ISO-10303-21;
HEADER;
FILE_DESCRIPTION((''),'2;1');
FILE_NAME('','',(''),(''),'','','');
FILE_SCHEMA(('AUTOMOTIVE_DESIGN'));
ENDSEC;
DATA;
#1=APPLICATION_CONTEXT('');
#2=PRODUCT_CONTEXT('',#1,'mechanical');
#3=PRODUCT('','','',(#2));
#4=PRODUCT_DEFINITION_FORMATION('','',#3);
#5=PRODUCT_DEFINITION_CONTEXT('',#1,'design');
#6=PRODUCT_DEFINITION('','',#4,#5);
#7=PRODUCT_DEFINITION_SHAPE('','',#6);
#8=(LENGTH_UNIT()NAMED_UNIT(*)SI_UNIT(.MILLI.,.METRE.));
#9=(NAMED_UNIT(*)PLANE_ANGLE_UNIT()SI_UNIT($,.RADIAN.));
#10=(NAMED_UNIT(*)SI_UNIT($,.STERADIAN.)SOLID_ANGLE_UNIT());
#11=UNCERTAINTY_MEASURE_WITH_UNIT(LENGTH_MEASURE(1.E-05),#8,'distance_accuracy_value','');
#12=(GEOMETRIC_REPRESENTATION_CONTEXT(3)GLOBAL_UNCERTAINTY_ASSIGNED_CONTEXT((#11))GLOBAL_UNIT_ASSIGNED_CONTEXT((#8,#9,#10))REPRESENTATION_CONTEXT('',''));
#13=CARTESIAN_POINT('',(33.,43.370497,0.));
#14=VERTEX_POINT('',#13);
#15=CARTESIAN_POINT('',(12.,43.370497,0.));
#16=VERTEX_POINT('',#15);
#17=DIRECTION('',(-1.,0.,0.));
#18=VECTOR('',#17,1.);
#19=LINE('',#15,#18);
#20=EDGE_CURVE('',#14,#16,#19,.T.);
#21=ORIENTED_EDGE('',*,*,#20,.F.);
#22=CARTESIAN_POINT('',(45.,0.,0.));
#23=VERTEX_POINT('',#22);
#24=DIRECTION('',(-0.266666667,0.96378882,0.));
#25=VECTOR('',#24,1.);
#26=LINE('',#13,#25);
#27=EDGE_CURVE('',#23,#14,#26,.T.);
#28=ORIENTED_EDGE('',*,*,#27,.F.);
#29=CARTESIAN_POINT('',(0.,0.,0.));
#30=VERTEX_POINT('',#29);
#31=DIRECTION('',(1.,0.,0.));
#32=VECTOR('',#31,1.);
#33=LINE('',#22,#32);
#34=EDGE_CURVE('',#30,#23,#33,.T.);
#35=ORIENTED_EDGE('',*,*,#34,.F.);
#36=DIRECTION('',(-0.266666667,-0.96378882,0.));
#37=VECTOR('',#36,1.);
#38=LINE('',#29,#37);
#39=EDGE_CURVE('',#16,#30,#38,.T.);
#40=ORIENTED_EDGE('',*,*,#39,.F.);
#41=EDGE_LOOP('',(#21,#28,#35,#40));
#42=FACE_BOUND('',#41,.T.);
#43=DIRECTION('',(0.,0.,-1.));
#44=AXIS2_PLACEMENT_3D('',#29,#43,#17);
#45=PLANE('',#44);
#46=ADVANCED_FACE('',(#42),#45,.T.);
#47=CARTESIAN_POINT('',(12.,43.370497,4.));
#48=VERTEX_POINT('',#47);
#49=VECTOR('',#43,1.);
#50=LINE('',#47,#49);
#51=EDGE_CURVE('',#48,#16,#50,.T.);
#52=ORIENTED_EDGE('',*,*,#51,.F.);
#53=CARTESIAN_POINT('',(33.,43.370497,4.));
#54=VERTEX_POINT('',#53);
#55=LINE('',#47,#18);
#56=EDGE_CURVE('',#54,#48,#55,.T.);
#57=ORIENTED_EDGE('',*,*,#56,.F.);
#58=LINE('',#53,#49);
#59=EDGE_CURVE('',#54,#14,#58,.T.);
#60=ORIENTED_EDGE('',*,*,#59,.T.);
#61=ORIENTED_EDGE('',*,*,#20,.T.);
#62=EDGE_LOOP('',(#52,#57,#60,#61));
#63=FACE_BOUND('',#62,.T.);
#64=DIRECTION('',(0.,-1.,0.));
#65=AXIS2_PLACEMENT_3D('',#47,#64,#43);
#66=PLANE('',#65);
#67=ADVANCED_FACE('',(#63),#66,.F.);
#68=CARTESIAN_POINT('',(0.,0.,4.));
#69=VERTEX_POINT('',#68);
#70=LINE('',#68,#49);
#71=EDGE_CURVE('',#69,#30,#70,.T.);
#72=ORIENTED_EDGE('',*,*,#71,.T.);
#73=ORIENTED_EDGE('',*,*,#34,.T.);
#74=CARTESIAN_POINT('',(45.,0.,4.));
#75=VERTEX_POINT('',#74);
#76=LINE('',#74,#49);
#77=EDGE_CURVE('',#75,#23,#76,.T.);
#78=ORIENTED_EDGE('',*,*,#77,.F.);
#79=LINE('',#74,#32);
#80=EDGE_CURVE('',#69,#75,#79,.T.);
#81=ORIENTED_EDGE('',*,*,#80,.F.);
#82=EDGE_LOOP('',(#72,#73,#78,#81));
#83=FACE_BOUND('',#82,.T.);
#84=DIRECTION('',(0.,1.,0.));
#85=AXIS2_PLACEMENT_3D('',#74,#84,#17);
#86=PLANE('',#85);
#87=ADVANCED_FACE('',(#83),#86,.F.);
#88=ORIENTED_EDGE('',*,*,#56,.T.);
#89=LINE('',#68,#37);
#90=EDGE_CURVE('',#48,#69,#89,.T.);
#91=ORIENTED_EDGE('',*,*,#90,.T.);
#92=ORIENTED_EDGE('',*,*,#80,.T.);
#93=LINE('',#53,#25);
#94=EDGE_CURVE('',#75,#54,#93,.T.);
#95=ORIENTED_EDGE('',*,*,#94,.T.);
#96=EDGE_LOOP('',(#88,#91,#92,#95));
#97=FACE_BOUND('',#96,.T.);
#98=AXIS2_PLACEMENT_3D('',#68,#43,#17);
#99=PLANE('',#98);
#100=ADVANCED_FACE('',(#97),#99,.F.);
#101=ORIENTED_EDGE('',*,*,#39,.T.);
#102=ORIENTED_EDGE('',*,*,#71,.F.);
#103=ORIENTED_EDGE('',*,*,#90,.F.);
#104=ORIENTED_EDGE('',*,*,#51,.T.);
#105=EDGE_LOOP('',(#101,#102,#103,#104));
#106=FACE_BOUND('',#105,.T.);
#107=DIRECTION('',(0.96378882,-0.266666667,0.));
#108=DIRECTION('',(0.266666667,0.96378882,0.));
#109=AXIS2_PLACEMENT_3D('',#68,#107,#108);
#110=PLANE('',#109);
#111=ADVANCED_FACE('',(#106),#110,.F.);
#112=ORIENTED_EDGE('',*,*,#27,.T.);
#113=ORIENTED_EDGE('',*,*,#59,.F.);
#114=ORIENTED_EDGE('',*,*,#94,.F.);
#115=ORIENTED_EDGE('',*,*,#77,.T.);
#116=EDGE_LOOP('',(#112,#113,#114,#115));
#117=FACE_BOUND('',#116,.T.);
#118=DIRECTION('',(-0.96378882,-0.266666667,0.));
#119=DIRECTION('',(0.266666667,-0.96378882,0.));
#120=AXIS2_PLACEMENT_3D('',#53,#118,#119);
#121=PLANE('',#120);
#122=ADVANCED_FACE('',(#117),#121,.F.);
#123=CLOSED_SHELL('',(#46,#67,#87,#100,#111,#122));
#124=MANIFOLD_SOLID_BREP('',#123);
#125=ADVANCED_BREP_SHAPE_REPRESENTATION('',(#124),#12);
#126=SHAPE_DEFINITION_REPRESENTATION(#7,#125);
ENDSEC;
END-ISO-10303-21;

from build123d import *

# Parameters (mm, degrees)
BOSS_EXTRUDE1_DEPTH = 4


with BuildPart() as part:
    # Sketch1 → Boss-Extrude1 (new body)
    with BuildSketch(Plane.XY):
        Polygon((0, 0), (12, 43.370496884), (33, 43.370496884), (45, 0), align=None)
    extrude(amount=BOSS_EXTRUDE1_DEPTH)


solid = part.part
